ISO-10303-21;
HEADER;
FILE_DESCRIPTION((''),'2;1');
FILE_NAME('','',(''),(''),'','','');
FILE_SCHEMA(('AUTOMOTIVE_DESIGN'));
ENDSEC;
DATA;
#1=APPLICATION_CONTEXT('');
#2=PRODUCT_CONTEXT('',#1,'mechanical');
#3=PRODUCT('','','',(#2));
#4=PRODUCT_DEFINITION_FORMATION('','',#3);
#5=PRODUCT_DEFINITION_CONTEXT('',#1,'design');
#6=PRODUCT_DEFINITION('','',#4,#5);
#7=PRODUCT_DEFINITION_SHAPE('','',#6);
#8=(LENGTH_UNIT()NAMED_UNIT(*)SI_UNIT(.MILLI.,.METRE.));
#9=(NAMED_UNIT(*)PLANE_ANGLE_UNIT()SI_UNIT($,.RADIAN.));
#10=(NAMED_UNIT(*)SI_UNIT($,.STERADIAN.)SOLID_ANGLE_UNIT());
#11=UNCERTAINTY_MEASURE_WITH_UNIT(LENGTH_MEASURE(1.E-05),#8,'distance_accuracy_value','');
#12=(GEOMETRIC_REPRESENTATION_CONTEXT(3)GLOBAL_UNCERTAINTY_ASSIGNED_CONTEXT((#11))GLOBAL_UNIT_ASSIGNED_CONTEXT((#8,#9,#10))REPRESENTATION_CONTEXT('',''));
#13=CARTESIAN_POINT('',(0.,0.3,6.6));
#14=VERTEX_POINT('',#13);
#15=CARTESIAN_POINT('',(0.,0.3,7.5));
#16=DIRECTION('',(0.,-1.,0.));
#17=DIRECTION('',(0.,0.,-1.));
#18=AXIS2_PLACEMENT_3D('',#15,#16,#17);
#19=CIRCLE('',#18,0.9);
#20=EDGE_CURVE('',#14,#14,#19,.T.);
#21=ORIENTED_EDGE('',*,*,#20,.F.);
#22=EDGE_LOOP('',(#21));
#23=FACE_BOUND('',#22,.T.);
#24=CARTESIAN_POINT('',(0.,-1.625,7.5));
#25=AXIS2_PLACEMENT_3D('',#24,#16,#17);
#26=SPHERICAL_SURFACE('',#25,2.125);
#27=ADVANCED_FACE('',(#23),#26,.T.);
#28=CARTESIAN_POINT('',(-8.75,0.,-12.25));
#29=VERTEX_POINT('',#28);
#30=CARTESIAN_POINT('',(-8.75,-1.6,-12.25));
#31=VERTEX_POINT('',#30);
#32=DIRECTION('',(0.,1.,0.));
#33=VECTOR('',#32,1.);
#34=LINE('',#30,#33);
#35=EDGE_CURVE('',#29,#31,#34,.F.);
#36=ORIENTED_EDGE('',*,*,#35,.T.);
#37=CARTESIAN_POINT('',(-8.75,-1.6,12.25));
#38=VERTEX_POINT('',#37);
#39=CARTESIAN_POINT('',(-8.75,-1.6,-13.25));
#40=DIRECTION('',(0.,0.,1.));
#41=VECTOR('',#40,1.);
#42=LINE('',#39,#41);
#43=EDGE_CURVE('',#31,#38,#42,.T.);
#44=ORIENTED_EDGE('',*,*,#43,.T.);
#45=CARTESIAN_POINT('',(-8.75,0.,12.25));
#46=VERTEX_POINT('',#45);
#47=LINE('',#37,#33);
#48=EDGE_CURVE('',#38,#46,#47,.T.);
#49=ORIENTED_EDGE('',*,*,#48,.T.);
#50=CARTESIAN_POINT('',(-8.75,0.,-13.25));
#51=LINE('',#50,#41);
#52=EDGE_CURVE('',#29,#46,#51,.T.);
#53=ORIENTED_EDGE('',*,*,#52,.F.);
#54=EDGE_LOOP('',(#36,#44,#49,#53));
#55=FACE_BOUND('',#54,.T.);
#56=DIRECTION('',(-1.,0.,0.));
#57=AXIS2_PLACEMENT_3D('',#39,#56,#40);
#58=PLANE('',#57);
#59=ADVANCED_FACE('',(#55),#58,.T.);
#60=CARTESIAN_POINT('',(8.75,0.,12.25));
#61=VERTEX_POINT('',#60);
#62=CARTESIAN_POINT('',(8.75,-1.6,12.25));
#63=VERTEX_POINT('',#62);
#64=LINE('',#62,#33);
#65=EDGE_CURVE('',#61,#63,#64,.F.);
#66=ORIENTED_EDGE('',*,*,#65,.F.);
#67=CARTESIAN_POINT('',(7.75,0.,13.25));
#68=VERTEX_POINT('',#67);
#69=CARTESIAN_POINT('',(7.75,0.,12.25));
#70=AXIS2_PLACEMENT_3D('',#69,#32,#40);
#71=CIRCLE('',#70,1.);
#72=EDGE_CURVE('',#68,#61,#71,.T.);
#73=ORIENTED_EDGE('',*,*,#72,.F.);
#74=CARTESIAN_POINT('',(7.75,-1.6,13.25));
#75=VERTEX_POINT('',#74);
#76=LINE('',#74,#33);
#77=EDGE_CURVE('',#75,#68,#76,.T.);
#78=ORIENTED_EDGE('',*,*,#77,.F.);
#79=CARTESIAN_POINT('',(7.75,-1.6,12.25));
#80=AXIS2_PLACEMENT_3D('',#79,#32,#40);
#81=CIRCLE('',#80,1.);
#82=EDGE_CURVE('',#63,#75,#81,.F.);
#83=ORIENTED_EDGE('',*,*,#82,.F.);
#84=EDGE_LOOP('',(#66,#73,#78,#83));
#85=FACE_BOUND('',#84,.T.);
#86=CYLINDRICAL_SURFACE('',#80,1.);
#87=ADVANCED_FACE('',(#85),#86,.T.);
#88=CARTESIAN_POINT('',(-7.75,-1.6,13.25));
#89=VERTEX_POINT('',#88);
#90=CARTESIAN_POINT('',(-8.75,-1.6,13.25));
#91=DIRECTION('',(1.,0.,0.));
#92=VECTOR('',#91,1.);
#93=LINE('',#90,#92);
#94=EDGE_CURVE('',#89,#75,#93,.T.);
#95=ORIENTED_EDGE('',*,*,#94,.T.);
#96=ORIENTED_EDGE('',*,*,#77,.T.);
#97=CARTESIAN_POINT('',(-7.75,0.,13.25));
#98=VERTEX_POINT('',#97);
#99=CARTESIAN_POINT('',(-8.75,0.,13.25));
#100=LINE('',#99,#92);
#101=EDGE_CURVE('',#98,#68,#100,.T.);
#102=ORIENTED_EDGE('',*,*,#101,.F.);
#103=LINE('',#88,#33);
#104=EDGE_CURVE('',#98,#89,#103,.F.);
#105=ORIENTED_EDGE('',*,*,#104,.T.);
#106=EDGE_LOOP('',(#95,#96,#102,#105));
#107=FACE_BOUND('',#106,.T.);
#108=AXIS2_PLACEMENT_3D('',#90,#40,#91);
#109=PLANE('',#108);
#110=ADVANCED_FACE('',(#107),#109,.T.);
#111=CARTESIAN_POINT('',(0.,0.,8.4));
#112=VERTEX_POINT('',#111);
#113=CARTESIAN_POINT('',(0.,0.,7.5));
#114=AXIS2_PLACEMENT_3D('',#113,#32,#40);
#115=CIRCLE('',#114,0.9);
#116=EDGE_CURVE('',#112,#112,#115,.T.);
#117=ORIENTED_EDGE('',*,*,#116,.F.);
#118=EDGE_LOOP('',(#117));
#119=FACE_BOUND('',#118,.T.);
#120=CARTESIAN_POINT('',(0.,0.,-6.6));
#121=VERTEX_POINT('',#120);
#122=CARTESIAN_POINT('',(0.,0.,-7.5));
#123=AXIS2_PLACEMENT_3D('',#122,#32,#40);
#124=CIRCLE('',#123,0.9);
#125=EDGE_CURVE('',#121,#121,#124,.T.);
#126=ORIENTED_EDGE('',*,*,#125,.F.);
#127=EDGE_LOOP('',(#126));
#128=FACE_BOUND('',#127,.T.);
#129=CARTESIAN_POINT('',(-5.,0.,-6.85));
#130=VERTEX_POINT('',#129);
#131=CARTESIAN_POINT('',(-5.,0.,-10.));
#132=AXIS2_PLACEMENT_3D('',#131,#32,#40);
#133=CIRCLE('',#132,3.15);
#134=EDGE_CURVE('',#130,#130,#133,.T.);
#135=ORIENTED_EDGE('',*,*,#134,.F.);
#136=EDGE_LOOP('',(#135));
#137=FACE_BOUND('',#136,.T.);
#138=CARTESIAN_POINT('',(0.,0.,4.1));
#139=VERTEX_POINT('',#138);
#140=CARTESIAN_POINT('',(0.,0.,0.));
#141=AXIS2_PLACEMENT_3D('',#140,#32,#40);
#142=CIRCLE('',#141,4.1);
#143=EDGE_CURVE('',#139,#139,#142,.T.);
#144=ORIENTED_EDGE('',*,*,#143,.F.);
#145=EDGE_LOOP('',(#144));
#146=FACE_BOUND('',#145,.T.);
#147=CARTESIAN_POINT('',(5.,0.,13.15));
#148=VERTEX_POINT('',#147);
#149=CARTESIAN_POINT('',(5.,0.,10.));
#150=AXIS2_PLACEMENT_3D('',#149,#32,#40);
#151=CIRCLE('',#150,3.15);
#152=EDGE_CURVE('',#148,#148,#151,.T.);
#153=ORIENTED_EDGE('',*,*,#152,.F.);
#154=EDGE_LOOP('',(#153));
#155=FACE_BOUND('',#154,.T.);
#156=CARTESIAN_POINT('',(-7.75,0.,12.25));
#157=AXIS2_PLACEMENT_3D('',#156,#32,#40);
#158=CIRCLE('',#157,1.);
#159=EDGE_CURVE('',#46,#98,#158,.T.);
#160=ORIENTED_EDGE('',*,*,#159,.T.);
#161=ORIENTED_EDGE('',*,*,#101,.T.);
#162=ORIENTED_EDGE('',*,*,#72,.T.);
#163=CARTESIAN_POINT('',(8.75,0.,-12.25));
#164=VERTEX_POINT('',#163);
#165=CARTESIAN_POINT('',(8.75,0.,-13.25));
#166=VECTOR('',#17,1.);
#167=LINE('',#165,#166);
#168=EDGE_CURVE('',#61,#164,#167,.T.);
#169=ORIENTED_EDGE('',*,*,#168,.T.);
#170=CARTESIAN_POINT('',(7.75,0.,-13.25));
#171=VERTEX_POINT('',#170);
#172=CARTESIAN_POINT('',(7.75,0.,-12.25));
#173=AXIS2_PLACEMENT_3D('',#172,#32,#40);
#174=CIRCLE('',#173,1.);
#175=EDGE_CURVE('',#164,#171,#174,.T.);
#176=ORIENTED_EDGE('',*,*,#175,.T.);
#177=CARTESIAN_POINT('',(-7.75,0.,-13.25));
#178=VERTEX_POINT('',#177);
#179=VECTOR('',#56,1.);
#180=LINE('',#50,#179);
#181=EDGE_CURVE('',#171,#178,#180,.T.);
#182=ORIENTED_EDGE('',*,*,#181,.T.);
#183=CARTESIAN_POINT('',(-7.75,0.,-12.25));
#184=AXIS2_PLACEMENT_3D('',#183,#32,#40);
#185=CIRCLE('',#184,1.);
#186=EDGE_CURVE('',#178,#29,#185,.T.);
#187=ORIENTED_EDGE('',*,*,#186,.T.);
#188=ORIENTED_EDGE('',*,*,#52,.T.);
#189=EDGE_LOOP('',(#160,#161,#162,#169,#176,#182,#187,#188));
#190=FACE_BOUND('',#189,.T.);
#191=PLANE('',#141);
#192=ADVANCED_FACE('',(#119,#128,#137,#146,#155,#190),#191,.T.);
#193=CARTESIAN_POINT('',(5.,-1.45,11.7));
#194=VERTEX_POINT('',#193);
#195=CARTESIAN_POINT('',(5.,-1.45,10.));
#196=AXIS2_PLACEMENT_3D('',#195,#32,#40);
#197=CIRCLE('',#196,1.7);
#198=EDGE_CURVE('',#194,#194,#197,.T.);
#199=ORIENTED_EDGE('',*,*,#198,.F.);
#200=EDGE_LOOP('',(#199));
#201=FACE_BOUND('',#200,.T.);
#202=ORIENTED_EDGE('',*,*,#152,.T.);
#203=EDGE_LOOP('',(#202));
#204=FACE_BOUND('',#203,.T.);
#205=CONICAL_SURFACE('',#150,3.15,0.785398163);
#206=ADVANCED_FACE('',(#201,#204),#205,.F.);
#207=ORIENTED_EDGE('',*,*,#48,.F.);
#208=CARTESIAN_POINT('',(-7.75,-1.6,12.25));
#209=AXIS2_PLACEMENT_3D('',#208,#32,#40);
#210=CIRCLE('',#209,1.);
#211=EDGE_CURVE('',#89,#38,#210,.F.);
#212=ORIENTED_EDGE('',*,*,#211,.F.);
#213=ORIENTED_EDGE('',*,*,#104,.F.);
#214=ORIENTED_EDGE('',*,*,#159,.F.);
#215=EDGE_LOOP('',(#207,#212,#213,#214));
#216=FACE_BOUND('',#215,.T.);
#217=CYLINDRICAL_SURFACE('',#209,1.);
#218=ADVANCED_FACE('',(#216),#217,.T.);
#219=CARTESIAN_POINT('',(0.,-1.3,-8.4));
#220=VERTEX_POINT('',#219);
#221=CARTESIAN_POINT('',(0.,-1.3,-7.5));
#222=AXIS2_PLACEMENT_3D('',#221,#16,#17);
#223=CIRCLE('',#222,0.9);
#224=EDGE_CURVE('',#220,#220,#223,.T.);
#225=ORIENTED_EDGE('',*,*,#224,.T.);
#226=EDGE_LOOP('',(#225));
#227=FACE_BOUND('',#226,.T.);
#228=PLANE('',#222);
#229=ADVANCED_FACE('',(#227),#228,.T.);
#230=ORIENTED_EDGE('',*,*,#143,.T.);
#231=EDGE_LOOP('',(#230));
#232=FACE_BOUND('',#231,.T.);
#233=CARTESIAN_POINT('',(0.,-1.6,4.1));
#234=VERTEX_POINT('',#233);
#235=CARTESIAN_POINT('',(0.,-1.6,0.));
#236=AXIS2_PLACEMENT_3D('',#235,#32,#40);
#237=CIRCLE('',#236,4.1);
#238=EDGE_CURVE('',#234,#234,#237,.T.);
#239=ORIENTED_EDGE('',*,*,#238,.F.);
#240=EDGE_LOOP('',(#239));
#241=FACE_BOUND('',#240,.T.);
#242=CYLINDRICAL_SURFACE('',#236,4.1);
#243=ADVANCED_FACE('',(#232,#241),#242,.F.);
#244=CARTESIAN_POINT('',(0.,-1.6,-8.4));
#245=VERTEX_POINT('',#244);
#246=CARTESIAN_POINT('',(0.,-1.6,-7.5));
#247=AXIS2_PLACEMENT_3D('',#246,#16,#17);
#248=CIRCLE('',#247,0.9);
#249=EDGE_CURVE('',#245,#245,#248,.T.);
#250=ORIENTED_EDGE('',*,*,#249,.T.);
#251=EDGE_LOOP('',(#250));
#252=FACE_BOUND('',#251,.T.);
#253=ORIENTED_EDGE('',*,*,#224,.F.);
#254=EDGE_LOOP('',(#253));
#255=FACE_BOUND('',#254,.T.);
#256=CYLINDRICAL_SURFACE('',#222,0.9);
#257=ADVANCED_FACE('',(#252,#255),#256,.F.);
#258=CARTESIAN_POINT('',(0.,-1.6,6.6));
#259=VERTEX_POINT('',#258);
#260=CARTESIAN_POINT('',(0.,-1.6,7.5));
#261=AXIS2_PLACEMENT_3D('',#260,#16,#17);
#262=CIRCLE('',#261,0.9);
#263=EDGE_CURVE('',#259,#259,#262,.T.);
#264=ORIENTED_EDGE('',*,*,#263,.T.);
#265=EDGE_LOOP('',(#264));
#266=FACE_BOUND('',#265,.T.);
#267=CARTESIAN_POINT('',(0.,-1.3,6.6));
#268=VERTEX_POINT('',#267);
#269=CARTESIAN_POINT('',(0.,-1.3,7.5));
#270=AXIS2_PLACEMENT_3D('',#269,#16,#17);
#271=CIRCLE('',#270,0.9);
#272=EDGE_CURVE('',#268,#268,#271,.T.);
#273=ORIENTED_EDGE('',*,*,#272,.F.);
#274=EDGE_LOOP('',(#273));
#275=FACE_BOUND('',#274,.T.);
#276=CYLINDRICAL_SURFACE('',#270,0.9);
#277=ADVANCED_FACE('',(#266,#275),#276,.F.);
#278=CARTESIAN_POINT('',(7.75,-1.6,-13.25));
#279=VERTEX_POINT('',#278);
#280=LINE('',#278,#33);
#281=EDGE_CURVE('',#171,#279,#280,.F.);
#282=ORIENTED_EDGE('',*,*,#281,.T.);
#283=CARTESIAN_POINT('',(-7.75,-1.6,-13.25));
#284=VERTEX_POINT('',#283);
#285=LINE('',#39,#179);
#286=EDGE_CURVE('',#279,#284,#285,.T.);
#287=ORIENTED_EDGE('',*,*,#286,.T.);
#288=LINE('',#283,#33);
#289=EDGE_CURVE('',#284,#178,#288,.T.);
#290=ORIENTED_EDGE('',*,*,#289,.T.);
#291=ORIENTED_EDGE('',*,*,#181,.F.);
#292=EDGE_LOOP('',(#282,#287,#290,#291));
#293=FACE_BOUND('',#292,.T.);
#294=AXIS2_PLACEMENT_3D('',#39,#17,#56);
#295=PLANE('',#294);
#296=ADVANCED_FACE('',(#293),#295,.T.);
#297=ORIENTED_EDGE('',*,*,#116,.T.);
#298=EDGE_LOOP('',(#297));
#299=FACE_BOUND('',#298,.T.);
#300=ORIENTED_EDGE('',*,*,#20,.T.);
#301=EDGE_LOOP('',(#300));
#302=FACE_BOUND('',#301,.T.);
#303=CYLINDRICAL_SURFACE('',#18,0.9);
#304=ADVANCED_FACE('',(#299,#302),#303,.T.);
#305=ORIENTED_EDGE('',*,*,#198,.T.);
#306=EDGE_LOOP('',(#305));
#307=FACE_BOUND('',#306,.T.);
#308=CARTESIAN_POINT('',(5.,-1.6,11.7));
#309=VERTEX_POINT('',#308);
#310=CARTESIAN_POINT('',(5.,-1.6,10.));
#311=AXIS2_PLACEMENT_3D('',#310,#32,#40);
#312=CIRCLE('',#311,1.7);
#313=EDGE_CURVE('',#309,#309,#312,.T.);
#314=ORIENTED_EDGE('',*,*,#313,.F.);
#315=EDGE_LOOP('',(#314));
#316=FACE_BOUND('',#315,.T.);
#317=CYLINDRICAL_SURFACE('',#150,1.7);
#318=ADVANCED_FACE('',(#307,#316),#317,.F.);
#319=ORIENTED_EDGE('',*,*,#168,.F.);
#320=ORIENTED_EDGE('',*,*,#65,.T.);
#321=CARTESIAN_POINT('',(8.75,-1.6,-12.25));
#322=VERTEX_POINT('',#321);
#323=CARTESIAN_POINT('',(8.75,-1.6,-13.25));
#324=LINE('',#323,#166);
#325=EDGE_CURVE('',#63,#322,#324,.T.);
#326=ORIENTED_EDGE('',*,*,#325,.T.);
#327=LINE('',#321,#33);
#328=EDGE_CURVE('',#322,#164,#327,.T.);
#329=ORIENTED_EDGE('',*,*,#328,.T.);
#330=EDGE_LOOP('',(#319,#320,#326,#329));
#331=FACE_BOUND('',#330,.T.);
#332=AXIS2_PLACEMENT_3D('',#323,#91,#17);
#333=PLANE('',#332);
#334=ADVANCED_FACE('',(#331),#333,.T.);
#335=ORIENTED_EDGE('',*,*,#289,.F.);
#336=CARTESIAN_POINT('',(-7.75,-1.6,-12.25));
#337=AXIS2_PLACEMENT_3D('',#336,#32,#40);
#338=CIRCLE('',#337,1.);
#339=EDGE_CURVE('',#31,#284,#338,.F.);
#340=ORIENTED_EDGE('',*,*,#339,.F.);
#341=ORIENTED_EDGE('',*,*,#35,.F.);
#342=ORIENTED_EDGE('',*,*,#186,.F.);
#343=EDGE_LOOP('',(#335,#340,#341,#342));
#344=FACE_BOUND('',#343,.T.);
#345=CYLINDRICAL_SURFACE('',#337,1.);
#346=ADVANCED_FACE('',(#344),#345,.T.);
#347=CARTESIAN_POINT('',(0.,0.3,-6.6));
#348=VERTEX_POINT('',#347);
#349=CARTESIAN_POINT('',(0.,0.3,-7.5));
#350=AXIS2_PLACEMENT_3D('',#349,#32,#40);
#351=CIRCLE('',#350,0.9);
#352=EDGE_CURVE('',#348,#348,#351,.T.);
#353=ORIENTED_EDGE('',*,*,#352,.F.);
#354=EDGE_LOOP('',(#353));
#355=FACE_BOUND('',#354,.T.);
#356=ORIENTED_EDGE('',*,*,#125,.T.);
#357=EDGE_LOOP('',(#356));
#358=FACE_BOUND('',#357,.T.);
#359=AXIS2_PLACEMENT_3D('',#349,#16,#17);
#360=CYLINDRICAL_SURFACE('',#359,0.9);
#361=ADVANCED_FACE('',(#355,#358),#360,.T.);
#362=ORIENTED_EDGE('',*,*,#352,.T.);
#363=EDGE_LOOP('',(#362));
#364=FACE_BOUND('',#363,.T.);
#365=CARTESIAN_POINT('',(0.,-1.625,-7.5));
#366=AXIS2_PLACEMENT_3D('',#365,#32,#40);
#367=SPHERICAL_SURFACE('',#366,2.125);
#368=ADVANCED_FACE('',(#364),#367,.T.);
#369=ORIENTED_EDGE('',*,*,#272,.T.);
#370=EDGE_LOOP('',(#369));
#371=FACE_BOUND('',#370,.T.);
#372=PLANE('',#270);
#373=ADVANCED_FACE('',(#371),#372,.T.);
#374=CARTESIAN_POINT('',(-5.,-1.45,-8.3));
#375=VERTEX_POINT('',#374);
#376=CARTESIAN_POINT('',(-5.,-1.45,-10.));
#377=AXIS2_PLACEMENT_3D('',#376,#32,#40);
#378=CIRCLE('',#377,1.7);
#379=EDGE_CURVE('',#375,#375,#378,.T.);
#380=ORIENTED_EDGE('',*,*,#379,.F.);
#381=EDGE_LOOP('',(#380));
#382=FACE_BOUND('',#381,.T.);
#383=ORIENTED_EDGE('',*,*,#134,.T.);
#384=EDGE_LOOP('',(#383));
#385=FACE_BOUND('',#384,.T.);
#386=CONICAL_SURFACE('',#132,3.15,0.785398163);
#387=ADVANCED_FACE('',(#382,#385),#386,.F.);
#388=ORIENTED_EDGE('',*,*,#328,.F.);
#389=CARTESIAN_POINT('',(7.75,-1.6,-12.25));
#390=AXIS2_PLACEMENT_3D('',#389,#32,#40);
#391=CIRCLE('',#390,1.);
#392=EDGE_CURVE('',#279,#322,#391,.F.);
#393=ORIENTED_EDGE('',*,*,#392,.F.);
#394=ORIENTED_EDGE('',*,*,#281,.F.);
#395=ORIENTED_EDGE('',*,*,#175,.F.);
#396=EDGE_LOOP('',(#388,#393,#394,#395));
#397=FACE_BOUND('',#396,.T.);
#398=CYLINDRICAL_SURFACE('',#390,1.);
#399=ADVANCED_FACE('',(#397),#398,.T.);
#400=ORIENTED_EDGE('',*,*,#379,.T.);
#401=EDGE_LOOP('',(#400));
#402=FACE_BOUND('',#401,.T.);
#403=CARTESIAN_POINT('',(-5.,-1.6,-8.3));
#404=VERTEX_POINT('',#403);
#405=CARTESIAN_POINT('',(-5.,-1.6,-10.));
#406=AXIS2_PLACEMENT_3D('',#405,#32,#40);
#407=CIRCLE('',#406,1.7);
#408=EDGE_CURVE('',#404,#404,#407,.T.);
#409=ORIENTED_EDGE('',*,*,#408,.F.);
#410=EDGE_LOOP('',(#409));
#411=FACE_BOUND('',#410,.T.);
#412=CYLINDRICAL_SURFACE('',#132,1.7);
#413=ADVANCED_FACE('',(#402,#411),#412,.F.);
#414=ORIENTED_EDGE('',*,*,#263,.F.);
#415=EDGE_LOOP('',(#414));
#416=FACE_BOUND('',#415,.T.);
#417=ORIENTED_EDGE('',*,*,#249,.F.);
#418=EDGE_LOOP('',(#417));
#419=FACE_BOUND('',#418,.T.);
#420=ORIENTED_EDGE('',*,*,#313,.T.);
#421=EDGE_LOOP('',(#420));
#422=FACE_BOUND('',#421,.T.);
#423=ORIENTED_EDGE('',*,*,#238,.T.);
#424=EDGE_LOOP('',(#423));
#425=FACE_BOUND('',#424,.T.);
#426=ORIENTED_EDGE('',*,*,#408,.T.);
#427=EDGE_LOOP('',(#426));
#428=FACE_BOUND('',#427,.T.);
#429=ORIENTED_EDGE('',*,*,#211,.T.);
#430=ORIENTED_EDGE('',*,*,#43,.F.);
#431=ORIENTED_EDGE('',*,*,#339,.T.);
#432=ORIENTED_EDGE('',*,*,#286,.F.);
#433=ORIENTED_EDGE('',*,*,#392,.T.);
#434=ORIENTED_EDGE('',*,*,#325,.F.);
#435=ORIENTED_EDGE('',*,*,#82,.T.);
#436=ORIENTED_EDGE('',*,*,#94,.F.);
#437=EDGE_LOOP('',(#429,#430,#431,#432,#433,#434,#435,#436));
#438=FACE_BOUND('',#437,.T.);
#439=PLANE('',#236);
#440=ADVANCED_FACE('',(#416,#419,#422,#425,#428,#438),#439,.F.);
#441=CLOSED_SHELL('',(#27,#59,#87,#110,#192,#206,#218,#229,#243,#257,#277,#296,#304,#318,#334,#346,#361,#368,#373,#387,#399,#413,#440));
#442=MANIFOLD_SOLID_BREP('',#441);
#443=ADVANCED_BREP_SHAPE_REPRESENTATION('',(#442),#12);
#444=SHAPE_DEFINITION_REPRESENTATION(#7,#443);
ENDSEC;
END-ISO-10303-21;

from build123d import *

# Parameters (mm, degrees)
BASES_W                                         = 17.5
BASES_H                                         = 26.5
BASE_DEPTH                                      = 1.6
CSK_FOR_M3_FLAT_HEAD_MACHINE_SCREW1_D           = 3.4
CSK_FOR_M3_FLAT_HEAD_MACHINE_SCREW1_DEPTH       = 11
CSK_FOR_M3_FLAT_HEAD_MACHINE_SCREW1_CSINK_D     = 6.3
CSK_FOR_M3_FLAT_HEAD_MACHINE_SCREW1_CSINK_ANGLE = 90
CSK_FOR_M3_FLAT_HEAD_MACHINE_SCREW1_TIP         = 1.021463052
BORES_R                                         = 4.1
BORE_DEPTH                                      = 16.958853342
LOCKINGFEATURES_R                               = 0.9
LOCKING_FEATURE_DEPTH                           = 0.3
LF_DOME_FACE_RADIUS                             = 0.9
LF_DOME_HEIGHT                                  = 0.2
LF_HM_COPY_1_FACE_RADIUS                        = 0.9
LF_HM_COPY_1_HEIGHT                             = 0.2
LFBOTTOMCUT_R                                   = 0.9
LF_BOTTOM_CUT_DEPTH                             = 0.3
BASE_FILLET_R                                   = 1


with BuildPart() as part:
    # BaseS → BASE (new body)
    with BuildSketch(Plane(origin=(0, 0, 0), x_dir=(1, 0, 0), z_dir=(0, 1, 0))):
        Rectangle(BASES_W, BASES_H)
    extrude(amount=-BASE_DEPTH)

    # CSK for M3 Flat Head Machine Screw1
    with Locations(Plane(origin=(0, 0, 0), x_dir=(1, 0, 0), z_dir=(0, 1, 0))):
        with Locations((-5, 10), (5, -10)):
            CounterSinkHole(CSK_FOR_M3_FLAT_HEAD_MACHINE_SCREW1_D / 2, CSK_FOR_M3_FLAT_HEAD_MACHINE_SCREW1_CSINK_D / 2, depth=CSK_FOR_M3_FLAT_HEAD_MACHINE_SCREW1_DEPTH, counter_sink_angle=CSK_FOR_M3_FLAT_HEAD_MACHINE_SCREW1_CSINK_ANGLE)
            with Locations((0, 0, -(CSK_FOR_M3_FLAT_HEAD_MACHINE_SCREW1_DEPTH + CSK_FOR_M3_FLAT_HEAD_MACHINE_SCREW1_TIP / 2))):  # 118° drill point
                Cone(0, CSK_FOR_M3_FLAT_HEAD_MACHINE_SCREW1_D / 2, CSK_FOR_M3_FLAT_HEAD_MACHINE_SCREW1_TIP, mode=Mode.SUBTRACT)

    # BoreS → BORE (cut, through all)
    with BuildSketch(Plane(origin=(0, 0, 0), x_dir=(1, 0, 0), z_dir=(0, 1, 0))):
        with Locations(Location((0, 0, 0), (0, 0, 270))):
            Circle(BORES_R)
    extrude(amount=-BORE_DEPTH, mode=Mode.SUBTRACT)

    # LockingFeatureS → LOCKING FEATURE (add)
    with BuildSketch(Plane(origin=(0, 0, 0), x_dir=(1, 0, 0), z_dir=(0, 1, 0))):
        with Locations(Location((0, 7.5, 0), (0, 0, 270))):
            Circle(LOCKINGFEATURES_R)
    locking_feature = extrude(amount=LOCKING_FEATURE_DEPTH)

    # LF DOME: a dome of height H over a round flat face of radius A is a cap of a sphere of radius (A * A + H * H) / (2 * H)
    lf_dome_r = (LF_DOME_FACE_RADIUS * LF_DOME_FACE_RADIUS + LF_DOME_HEIGHT * LF_DOME_HEIGHT) / (2 * LF_DOME_HEIGHT)
    lf_dome_base = Plane((0, 0.3, -7.5), z_dir=(0, 1, 0))
    with Locations(lf_dome_base.offset(LF_DOME_HEIGHT - lf_dome_r)):
        lf_dome_ball = Sphere(lf_dome_r, mode=Mode.PRIVATE)
    add(split(lf_dome_ball, bisect_by=lf_dome_base, keep=Keep.TOP, mode=Mode.PRIVATE))

    # LF HM: LOCKING FEATURE across plane
    add(locking_feature.mirror(Plane.XY))

    # LF HM copy 1: a dome of height H over a round flat face of radius A is a cap of a sphere of radius (A * A + H * H) / (2 * H)
    lf_hm_copy_1_r = (LF_HM_COPY_1_FACE_RADIUS * LF_HM_COPY_1_FACE_RADIUS + LF_HM_COPY_1_HEIGHT * LF_HM_COPY_1_HEIGHT) / (2 * LF_HM_COPY_1_HEIGHT)
    lf_hm_copy_1_base = Plane((0, 0.3, 7.5), z_dir=(0, 1, 0))
    with Locations(lf_hm_copy_1_base.offset(LF_HM_COPY_1_HEIGHT - lf_hm_copy_1_r)):
        lf_hm_copy_1_ball = Sphere(lf_hm_copy_1_r, mode=Mode.PRIVATE)
    add(split(lf_hm_copy_1_ball, bisect_by=lf_hm_copy_1_base, keep=Keep.TOP, mode=Mode.PRIVATE))

    # LFBottomCut → LF BOTTOM CUT (cut)
    with BuildSketch(Plane(origin=(0, -1.6, 0), x_dir=(-1, 0, 0), z_dir=(0, -1, 0))):
        with Locations(Location((0, 7.5, 0), (0, 0, 270))):
            Circle(LFBOTTOMCUT_R)
        with Locations(Location((0, -7.5, 0), (0, 0, 90))):
            Circle(LFBOTTOMCUT_R)
    extrude(amount=-LF_BOTTOM_CUT_DEPTH, mode=Mode.SUBTRACT)

    # BASE FILLET
    base_fillet_edges = [part.edges().sort_by_distance(p)[0] for p in [
        (8.75, -0.8, 13.25),
        (-8.75, -0.8, 13.25),
        (-8.75, -0.8, -13.25),
        (8.75, -0.8, -13.25),
    ]]
    fillet(base_fillet_edges, radius=BASE_FILLET_R)


solid = part.part
